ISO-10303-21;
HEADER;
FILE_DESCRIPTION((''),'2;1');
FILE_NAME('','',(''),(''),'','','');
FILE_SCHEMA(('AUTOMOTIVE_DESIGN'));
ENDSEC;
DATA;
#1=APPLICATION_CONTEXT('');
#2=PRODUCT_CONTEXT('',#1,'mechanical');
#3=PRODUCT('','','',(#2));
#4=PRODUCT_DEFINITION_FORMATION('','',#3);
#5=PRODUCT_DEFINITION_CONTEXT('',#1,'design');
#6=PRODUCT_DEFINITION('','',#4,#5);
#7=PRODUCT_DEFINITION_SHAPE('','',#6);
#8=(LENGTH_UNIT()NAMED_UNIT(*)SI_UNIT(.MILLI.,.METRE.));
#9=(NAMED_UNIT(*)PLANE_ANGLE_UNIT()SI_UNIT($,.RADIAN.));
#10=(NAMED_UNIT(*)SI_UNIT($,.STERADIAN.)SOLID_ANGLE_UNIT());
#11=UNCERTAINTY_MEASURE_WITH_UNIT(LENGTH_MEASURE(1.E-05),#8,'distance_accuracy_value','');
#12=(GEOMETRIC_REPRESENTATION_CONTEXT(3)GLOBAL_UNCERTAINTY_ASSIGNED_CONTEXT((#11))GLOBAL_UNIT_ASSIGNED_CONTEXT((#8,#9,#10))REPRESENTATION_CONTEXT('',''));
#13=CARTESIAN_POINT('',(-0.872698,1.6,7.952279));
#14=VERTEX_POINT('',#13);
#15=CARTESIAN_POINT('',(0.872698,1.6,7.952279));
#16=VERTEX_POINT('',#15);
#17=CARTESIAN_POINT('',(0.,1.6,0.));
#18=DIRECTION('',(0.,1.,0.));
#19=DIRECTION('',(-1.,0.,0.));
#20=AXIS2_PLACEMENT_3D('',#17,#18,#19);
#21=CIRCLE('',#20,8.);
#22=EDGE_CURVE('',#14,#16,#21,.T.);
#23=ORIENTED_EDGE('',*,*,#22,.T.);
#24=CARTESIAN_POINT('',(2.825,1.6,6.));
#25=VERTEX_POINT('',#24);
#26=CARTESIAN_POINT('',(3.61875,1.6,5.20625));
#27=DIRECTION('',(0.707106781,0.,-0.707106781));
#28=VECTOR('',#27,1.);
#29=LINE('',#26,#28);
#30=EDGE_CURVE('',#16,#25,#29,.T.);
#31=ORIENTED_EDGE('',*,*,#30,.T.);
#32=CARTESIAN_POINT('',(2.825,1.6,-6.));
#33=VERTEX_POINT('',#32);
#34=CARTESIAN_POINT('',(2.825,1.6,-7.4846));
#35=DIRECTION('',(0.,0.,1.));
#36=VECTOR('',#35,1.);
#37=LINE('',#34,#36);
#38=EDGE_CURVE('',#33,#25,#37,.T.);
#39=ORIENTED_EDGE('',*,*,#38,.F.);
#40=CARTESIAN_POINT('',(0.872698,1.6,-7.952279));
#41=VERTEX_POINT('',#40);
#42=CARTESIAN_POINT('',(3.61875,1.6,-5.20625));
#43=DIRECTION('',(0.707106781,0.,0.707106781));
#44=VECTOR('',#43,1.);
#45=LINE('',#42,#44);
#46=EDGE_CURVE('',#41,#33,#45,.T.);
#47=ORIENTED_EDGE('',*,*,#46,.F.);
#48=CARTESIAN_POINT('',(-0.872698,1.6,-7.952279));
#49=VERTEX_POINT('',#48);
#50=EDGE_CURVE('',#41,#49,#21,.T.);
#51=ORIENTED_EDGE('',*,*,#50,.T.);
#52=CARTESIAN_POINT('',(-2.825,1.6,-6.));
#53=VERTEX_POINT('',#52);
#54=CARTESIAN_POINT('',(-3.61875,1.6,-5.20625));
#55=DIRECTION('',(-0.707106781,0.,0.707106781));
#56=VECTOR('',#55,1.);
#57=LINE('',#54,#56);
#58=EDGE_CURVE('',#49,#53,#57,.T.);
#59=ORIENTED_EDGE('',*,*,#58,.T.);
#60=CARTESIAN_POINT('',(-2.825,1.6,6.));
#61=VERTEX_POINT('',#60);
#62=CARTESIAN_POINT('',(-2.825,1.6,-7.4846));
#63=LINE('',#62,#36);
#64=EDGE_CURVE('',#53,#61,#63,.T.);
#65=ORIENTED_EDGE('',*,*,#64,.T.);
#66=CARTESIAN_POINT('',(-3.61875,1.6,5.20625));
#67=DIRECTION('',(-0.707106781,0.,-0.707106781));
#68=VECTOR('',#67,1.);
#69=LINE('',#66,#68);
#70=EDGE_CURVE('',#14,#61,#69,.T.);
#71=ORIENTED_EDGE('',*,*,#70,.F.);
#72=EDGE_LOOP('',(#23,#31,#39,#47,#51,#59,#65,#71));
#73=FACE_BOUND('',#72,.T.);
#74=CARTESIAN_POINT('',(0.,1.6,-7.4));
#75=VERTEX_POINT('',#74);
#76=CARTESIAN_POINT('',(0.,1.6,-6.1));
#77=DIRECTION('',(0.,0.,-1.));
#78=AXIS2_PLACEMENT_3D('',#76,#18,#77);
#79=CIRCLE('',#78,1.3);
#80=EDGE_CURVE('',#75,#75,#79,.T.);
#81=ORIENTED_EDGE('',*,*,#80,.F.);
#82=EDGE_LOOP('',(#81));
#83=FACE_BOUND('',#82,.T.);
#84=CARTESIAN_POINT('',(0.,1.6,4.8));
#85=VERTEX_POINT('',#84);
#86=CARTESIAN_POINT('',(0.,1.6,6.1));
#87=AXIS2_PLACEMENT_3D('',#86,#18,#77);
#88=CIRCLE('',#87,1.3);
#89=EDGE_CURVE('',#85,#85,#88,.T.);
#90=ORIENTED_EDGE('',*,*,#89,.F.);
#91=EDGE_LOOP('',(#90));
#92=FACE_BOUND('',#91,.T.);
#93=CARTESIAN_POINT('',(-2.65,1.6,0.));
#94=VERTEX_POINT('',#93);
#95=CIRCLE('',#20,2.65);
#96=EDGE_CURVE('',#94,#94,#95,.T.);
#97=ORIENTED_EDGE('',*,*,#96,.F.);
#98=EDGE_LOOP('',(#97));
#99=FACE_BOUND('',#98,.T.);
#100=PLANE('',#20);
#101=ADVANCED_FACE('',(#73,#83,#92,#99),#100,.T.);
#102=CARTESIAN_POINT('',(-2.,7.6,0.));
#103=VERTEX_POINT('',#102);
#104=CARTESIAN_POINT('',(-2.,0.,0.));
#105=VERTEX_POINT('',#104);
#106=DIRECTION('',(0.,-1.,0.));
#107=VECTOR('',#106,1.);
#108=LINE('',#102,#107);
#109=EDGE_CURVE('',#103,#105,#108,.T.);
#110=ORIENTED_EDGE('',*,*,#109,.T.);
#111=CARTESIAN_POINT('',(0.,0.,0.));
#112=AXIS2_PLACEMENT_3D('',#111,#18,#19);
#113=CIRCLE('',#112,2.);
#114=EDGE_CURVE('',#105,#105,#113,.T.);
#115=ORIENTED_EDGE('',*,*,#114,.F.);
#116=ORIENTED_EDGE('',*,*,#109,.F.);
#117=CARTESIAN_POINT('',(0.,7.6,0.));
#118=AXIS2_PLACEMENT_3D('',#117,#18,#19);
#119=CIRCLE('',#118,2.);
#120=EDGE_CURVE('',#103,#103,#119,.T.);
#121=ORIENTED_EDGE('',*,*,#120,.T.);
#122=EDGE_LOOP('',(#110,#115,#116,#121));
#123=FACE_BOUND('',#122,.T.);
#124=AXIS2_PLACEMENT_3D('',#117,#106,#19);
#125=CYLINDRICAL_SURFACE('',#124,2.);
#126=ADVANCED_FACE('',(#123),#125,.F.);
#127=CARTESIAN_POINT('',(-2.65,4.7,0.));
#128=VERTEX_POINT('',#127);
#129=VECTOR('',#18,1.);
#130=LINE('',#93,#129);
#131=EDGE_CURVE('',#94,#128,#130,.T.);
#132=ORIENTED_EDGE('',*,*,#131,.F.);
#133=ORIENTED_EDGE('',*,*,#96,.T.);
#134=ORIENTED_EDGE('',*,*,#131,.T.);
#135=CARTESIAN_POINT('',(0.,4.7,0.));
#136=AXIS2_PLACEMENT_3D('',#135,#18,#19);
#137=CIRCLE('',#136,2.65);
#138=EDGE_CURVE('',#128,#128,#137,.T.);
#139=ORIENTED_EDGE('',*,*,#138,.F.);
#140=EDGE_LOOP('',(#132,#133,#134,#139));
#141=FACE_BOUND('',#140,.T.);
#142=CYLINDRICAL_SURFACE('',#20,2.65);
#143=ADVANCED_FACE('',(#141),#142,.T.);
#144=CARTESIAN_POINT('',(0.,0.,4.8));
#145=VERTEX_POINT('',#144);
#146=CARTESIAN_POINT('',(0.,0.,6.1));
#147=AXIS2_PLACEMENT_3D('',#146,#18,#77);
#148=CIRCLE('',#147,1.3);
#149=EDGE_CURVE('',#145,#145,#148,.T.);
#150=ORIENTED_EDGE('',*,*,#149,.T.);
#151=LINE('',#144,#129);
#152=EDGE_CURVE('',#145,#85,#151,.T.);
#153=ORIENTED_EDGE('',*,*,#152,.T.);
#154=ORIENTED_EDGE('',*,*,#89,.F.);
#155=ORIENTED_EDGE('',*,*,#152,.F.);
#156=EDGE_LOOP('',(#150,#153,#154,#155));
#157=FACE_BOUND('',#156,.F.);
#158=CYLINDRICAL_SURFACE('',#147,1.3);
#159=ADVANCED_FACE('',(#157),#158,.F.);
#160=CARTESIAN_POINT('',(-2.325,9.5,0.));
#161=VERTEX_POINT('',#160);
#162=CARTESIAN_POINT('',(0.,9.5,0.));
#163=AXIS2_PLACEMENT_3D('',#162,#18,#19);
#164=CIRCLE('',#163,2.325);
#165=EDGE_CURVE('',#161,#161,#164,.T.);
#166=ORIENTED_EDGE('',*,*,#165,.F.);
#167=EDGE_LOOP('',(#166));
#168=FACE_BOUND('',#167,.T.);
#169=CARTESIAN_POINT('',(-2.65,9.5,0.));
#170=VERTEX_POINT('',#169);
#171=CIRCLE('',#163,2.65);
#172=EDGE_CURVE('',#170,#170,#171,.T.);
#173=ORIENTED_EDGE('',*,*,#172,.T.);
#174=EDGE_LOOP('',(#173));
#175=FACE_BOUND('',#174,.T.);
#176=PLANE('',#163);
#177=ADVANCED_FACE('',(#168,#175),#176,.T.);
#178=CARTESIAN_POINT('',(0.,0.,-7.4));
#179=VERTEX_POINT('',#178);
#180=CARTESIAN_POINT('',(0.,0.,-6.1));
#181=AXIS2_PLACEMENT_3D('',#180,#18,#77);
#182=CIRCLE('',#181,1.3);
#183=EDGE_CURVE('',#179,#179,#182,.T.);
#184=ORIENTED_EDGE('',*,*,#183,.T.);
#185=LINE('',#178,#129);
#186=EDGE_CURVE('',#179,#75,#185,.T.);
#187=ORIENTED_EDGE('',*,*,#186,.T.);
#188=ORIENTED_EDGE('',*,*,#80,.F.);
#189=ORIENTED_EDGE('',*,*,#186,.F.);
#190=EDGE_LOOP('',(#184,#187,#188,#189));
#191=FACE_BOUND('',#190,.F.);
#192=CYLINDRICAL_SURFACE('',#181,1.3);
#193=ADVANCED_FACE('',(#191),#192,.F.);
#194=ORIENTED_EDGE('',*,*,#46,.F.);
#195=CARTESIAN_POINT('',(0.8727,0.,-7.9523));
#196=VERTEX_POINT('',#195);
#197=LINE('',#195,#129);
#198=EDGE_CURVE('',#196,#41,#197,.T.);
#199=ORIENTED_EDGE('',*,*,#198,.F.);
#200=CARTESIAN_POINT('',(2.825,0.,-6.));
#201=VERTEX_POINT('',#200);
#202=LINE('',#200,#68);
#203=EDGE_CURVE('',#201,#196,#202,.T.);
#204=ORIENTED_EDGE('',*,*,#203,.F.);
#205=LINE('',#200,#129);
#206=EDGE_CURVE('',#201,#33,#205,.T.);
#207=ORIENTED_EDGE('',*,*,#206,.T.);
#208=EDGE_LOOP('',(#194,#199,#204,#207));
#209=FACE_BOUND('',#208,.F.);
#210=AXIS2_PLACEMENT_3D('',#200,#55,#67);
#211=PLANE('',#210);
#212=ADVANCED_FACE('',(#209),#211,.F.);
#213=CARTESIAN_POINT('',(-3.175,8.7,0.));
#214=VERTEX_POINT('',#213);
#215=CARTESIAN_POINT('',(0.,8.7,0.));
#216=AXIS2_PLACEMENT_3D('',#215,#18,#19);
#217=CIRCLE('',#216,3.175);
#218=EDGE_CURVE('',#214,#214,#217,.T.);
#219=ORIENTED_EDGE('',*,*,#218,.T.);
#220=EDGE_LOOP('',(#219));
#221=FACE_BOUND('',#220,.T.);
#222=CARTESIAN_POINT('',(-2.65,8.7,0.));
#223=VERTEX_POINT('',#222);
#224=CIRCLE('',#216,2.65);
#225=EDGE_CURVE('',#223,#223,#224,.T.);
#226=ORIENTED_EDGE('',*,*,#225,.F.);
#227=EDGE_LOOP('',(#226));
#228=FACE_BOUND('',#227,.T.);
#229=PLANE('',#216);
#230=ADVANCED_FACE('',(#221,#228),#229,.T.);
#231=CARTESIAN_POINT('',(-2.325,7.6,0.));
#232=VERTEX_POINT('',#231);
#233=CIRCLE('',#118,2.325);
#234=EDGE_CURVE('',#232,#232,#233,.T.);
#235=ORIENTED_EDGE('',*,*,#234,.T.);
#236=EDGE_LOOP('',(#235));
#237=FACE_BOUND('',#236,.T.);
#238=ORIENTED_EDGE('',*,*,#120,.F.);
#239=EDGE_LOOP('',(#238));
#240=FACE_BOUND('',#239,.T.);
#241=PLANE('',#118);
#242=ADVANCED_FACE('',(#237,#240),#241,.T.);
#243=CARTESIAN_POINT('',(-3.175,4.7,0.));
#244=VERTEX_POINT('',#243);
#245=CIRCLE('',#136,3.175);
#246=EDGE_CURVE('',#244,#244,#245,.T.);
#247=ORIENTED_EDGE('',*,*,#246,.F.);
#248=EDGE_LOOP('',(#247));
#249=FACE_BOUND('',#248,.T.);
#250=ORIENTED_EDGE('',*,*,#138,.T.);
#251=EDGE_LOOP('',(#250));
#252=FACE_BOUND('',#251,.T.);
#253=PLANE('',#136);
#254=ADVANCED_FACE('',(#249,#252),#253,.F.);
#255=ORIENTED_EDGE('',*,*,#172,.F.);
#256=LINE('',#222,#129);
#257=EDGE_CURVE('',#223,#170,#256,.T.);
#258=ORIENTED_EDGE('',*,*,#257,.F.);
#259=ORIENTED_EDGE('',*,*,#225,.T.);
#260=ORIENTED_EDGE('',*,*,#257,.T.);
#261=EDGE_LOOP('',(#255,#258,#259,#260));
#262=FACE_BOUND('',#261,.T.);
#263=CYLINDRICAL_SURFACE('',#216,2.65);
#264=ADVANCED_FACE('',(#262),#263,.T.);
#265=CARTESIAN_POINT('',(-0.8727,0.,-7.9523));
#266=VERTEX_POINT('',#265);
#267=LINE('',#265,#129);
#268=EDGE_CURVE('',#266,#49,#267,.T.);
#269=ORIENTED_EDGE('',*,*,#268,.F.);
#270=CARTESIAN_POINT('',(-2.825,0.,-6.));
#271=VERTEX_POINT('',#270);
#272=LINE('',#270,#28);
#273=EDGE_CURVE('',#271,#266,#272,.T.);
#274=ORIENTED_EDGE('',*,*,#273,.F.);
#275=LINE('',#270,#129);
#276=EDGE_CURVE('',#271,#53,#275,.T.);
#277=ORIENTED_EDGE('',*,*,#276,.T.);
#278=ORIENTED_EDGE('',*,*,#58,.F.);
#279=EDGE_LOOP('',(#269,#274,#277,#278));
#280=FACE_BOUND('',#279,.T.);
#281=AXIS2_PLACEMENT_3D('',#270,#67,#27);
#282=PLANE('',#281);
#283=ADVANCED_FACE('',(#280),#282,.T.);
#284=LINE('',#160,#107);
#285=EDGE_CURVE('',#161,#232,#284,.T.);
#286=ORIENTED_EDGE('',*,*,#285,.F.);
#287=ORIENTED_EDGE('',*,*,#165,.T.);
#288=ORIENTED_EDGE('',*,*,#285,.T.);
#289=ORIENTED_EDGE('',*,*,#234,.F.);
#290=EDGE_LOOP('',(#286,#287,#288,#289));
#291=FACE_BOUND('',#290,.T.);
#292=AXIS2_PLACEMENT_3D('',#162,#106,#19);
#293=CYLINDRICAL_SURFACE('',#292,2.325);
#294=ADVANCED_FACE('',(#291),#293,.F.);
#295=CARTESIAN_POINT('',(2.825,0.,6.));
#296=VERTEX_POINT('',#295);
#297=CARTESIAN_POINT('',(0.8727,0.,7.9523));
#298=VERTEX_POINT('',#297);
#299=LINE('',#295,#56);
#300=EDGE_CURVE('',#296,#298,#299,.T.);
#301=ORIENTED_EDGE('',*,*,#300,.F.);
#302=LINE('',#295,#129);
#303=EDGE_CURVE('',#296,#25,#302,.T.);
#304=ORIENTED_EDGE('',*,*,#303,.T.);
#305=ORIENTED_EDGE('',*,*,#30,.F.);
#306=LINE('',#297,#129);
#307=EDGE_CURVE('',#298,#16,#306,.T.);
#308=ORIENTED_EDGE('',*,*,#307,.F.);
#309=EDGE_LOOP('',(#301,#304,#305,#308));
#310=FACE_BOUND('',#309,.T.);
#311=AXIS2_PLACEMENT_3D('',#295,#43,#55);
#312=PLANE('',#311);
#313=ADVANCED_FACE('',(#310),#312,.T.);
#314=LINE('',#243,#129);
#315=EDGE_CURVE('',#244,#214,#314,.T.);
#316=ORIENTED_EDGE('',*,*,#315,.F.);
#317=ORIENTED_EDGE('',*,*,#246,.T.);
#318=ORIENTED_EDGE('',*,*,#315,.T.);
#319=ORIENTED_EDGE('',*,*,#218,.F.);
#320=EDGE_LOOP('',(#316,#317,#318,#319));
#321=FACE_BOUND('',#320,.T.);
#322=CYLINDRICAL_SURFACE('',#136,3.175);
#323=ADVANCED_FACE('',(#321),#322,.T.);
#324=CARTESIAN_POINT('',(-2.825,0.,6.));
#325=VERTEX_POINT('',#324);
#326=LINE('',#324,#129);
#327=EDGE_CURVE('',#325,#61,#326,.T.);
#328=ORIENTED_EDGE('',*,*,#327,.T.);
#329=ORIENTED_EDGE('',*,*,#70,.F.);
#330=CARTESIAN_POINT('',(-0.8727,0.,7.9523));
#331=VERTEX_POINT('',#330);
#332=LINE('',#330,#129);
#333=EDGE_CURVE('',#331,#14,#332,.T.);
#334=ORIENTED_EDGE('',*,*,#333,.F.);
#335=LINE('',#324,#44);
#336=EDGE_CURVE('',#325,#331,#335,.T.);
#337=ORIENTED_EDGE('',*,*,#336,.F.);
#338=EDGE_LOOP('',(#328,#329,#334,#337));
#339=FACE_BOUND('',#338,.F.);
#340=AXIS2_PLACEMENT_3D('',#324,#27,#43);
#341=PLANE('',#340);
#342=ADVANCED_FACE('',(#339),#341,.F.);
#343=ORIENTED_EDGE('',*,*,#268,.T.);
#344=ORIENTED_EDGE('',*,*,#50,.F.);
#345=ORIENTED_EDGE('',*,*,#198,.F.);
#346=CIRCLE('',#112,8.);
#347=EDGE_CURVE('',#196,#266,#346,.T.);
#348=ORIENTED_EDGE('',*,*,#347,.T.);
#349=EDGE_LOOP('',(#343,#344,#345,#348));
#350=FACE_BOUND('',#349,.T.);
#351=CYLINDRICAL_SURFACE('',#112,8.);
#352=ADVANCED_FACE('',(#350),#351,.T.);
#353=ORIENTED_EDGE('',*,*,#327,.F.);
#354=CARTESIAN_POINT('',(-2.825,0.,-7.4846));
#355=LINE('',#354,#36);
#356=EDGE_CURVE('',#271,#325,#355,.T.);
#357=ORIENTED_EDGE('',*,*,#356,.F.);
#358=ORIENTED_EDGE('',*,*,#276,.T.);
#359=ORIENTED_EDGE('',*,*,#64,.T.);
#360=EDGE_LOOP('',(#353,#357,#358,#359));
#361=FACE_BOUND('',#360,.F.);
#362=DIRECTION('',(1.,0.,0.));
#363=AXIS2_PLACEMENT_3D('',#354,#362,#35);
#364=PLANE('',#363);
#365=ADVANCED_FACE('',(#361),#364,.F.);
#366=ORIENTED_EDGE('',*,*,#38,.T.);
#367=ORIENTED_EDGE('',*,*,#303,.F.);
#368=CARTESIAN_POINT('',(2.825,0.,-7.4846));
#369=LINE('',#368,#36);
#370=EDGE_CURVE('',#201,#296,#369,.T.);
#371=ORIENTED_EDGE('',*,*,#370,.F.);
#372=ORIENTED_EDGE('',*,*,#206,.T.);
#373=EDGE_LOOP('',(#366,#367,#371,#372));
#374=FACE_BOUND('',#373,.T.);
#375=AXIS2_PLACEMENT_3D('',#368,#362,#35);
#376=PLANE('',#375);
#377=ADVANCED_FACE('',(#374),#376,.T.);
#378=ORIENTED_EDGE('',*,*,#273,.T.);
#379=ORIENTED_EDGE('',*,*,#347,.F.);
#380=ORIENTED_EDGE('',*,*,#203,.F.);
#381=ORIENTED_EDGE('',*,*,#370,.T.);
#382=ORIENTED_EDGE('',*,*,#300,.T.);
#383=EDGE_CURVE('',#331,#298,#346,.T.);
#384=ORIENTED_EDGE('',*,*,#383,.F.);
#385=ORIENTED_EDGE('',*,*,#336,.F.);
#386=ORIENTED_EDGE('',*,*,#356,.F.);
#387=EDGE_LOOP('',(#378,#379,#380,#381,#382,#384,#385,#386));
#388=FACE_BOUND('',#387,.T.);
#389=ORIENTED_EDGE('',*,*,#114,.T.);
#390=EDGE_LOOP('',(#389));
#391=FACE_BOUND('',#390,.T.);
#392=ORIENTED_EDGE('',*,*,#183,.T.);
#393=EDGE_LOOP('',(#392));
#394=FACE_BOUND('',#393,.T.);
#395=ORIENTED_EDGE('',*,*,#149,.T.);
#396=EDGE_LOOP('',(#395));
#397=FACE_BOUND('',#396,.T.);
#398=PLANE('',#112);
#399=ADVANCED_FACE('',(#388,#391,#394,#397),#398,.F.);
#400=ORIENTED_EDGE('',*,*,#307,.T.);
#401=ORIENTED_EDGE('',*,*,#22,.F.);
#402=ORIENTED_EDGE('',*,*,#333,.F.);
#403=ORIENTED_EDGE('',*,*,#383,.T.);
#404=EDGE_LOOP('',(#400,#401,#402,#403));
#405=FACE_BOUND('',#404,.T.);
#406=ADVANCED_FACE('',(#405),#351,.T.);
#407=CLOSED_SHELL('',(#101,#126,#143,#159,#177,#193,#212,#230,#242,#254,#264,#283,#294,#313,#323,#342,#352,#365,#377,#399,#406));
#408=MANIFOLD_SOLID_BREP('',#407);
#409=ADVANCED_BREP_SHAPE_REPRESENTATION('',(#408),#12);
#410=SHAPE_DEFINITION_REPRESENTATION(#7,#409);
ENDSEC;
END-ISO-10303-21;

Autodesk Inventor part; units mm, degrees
ref_plane "YZ Plane" through (0, 0, 0) normal (1, 0, 0) x (0, 1, 0)
ref_plane "XZ Plane" through (0, 0, 0) normal (0, 1, 0) x (-1, 0, 0)
ref_plane "XY Plane" through (0, 0, 0) normal (0, 0, 1) x (1, 0, 0)
sketch "Sketch10" plane through (0, 0, 0) normal (0, 0, 1) x (1, 0, 0)
  line L0 (-2, 0) -> (-8, 0)
  line L1 (-8, 0) -> (-8, 1.6)
  line L2 (-8, 1.6) -> (-2.65, 1.6)
  line L3 (-2.65, 1.6) -> (-2.65, 4.7)
  line L4 (-2.65, 4.7) -> (-3.175, 4.7)
  line L5 (-3.175, 4.7) -> (-3.175, 8.7)
  line L6 (-2, 7.6) -> (-2, 0)
  line L7 (-3.175, 8.7) -> (-2.65, 8.7)
  line L8 (-2.65, 8.7) -> (-2.65, 9.5)
  line L9 (-2.65, 9.5) -> (-2.325, 9.5)
  line L10 (0, -1.9) -> (0, 11.4) projected
  line L11 (-2.325, 9.5) -> (-2.325, 7.6)
  line L12 (-2.325, 7.6) -> (-2, 7.6)
  point P0 (0, 0)
  dimension "d39" = 2
  dimension "d41" = 0.8
  dimension "d42" = 4
  dimension "d43" = 2.65
  dimension "d44" = 1.6
  dimension "d45" = 8
  dimension "d46" = 3.175
  dimension "d66" = 2.325
  dimension "d67" = 1.9
  dimension "d68" = 9.5
revolve "Revolution1" add sketch "Sketch10" angle 360 about axis through (0, -10, 0) along (0, 1, 0)
sketch "Sketch11" plane through (0, 0, 0) normal (0, -1, 0) x (1, 0, 0)
  circle A0 centre (0, 0) radius 8 projected
  line L0 (2.825, -7.4846) -> (2.825, 7.4846)
  line L1 (-2.825, -7.4846) -> (-2.825, 7.4846)
  arc A1 (2.825, -7.4846) -> (2.825, 7.4846) centre (0, 0) ccw
  arc A2 (-2.825, 7.4846) -> (-2.825, -7.4846) centre (0, 0) ccw
  dimension "d48" = 5.65
extrude "Extrusion7" cut sketch "Sketch11" against normal up to surface (1.6 mm away) contours A0 L0 | L1 A0
sketch "Sketch12" plane through (0, 0, 0) normal (0, -1, 0) x (1, 0, 0)
  line L0 (2.825, 7.4846) -> (2.825, -7.4846) projected
  line L1 (2.825, 6) -> (0.8727, 7.9523)
  line L2 (2.825, -6) -> (0.8727, -7.9523)
  arc A0 (-2.825, -7.4846) -> (2.825, -7.4846) centre (0, 0) ccw projected
  arc A1 (2.825, 7.4846) -> (-2.825, 7.4846) centre (0, 0) ccw projected
  line L3 (0, -11.2) -> (0, 11.2) projected
  line L4 (-2.825, 6) -> (-0.8727, 7.9523)
  line L5 (-2.825, -6) -> (-0.8727, -7.9523)
  line L6 (-2.825, 7.4846) -> (-2.825, -7.4846) projected
  dimension "d51" = 12
  dimension "d52" = 6
  dimension "d53" = 45
  dimension "d54" = 45
extrude "Extrusion8" cut sketch "Sketch12" against normal through all contours L0 L1 A1 | L0 A0 L2 | L4 L6 A1 | A0 L6 L5
sketch "Sketch13" plane through (0, 0, 0) normal (0, -1, 0) x (1, 0, 0)
  point P0 (0, 0)
  point P1 (0, 6.1)
  point P2 (0, -6.1)
  dimension "d57" = 12.2
  dimension "d58" = 6.1
hole "Hole3" at (0, 0, 6.1) at (0, 0, -6.1) direction (0, 1, 0) diameter 2.6 end through all
thread "Thread2" size "1/4-36 UNS" class "2A" standard "ANSI Unified Screw Threads" length 9
equation "\"d52\" = 0.5 * d51"
equation "\"d54\" = d53"
equation "\"d58\" = 0.5 * d57"
properties part number "SMA-PanelMount-Ni-AuPlated-Body" material "Brass"
